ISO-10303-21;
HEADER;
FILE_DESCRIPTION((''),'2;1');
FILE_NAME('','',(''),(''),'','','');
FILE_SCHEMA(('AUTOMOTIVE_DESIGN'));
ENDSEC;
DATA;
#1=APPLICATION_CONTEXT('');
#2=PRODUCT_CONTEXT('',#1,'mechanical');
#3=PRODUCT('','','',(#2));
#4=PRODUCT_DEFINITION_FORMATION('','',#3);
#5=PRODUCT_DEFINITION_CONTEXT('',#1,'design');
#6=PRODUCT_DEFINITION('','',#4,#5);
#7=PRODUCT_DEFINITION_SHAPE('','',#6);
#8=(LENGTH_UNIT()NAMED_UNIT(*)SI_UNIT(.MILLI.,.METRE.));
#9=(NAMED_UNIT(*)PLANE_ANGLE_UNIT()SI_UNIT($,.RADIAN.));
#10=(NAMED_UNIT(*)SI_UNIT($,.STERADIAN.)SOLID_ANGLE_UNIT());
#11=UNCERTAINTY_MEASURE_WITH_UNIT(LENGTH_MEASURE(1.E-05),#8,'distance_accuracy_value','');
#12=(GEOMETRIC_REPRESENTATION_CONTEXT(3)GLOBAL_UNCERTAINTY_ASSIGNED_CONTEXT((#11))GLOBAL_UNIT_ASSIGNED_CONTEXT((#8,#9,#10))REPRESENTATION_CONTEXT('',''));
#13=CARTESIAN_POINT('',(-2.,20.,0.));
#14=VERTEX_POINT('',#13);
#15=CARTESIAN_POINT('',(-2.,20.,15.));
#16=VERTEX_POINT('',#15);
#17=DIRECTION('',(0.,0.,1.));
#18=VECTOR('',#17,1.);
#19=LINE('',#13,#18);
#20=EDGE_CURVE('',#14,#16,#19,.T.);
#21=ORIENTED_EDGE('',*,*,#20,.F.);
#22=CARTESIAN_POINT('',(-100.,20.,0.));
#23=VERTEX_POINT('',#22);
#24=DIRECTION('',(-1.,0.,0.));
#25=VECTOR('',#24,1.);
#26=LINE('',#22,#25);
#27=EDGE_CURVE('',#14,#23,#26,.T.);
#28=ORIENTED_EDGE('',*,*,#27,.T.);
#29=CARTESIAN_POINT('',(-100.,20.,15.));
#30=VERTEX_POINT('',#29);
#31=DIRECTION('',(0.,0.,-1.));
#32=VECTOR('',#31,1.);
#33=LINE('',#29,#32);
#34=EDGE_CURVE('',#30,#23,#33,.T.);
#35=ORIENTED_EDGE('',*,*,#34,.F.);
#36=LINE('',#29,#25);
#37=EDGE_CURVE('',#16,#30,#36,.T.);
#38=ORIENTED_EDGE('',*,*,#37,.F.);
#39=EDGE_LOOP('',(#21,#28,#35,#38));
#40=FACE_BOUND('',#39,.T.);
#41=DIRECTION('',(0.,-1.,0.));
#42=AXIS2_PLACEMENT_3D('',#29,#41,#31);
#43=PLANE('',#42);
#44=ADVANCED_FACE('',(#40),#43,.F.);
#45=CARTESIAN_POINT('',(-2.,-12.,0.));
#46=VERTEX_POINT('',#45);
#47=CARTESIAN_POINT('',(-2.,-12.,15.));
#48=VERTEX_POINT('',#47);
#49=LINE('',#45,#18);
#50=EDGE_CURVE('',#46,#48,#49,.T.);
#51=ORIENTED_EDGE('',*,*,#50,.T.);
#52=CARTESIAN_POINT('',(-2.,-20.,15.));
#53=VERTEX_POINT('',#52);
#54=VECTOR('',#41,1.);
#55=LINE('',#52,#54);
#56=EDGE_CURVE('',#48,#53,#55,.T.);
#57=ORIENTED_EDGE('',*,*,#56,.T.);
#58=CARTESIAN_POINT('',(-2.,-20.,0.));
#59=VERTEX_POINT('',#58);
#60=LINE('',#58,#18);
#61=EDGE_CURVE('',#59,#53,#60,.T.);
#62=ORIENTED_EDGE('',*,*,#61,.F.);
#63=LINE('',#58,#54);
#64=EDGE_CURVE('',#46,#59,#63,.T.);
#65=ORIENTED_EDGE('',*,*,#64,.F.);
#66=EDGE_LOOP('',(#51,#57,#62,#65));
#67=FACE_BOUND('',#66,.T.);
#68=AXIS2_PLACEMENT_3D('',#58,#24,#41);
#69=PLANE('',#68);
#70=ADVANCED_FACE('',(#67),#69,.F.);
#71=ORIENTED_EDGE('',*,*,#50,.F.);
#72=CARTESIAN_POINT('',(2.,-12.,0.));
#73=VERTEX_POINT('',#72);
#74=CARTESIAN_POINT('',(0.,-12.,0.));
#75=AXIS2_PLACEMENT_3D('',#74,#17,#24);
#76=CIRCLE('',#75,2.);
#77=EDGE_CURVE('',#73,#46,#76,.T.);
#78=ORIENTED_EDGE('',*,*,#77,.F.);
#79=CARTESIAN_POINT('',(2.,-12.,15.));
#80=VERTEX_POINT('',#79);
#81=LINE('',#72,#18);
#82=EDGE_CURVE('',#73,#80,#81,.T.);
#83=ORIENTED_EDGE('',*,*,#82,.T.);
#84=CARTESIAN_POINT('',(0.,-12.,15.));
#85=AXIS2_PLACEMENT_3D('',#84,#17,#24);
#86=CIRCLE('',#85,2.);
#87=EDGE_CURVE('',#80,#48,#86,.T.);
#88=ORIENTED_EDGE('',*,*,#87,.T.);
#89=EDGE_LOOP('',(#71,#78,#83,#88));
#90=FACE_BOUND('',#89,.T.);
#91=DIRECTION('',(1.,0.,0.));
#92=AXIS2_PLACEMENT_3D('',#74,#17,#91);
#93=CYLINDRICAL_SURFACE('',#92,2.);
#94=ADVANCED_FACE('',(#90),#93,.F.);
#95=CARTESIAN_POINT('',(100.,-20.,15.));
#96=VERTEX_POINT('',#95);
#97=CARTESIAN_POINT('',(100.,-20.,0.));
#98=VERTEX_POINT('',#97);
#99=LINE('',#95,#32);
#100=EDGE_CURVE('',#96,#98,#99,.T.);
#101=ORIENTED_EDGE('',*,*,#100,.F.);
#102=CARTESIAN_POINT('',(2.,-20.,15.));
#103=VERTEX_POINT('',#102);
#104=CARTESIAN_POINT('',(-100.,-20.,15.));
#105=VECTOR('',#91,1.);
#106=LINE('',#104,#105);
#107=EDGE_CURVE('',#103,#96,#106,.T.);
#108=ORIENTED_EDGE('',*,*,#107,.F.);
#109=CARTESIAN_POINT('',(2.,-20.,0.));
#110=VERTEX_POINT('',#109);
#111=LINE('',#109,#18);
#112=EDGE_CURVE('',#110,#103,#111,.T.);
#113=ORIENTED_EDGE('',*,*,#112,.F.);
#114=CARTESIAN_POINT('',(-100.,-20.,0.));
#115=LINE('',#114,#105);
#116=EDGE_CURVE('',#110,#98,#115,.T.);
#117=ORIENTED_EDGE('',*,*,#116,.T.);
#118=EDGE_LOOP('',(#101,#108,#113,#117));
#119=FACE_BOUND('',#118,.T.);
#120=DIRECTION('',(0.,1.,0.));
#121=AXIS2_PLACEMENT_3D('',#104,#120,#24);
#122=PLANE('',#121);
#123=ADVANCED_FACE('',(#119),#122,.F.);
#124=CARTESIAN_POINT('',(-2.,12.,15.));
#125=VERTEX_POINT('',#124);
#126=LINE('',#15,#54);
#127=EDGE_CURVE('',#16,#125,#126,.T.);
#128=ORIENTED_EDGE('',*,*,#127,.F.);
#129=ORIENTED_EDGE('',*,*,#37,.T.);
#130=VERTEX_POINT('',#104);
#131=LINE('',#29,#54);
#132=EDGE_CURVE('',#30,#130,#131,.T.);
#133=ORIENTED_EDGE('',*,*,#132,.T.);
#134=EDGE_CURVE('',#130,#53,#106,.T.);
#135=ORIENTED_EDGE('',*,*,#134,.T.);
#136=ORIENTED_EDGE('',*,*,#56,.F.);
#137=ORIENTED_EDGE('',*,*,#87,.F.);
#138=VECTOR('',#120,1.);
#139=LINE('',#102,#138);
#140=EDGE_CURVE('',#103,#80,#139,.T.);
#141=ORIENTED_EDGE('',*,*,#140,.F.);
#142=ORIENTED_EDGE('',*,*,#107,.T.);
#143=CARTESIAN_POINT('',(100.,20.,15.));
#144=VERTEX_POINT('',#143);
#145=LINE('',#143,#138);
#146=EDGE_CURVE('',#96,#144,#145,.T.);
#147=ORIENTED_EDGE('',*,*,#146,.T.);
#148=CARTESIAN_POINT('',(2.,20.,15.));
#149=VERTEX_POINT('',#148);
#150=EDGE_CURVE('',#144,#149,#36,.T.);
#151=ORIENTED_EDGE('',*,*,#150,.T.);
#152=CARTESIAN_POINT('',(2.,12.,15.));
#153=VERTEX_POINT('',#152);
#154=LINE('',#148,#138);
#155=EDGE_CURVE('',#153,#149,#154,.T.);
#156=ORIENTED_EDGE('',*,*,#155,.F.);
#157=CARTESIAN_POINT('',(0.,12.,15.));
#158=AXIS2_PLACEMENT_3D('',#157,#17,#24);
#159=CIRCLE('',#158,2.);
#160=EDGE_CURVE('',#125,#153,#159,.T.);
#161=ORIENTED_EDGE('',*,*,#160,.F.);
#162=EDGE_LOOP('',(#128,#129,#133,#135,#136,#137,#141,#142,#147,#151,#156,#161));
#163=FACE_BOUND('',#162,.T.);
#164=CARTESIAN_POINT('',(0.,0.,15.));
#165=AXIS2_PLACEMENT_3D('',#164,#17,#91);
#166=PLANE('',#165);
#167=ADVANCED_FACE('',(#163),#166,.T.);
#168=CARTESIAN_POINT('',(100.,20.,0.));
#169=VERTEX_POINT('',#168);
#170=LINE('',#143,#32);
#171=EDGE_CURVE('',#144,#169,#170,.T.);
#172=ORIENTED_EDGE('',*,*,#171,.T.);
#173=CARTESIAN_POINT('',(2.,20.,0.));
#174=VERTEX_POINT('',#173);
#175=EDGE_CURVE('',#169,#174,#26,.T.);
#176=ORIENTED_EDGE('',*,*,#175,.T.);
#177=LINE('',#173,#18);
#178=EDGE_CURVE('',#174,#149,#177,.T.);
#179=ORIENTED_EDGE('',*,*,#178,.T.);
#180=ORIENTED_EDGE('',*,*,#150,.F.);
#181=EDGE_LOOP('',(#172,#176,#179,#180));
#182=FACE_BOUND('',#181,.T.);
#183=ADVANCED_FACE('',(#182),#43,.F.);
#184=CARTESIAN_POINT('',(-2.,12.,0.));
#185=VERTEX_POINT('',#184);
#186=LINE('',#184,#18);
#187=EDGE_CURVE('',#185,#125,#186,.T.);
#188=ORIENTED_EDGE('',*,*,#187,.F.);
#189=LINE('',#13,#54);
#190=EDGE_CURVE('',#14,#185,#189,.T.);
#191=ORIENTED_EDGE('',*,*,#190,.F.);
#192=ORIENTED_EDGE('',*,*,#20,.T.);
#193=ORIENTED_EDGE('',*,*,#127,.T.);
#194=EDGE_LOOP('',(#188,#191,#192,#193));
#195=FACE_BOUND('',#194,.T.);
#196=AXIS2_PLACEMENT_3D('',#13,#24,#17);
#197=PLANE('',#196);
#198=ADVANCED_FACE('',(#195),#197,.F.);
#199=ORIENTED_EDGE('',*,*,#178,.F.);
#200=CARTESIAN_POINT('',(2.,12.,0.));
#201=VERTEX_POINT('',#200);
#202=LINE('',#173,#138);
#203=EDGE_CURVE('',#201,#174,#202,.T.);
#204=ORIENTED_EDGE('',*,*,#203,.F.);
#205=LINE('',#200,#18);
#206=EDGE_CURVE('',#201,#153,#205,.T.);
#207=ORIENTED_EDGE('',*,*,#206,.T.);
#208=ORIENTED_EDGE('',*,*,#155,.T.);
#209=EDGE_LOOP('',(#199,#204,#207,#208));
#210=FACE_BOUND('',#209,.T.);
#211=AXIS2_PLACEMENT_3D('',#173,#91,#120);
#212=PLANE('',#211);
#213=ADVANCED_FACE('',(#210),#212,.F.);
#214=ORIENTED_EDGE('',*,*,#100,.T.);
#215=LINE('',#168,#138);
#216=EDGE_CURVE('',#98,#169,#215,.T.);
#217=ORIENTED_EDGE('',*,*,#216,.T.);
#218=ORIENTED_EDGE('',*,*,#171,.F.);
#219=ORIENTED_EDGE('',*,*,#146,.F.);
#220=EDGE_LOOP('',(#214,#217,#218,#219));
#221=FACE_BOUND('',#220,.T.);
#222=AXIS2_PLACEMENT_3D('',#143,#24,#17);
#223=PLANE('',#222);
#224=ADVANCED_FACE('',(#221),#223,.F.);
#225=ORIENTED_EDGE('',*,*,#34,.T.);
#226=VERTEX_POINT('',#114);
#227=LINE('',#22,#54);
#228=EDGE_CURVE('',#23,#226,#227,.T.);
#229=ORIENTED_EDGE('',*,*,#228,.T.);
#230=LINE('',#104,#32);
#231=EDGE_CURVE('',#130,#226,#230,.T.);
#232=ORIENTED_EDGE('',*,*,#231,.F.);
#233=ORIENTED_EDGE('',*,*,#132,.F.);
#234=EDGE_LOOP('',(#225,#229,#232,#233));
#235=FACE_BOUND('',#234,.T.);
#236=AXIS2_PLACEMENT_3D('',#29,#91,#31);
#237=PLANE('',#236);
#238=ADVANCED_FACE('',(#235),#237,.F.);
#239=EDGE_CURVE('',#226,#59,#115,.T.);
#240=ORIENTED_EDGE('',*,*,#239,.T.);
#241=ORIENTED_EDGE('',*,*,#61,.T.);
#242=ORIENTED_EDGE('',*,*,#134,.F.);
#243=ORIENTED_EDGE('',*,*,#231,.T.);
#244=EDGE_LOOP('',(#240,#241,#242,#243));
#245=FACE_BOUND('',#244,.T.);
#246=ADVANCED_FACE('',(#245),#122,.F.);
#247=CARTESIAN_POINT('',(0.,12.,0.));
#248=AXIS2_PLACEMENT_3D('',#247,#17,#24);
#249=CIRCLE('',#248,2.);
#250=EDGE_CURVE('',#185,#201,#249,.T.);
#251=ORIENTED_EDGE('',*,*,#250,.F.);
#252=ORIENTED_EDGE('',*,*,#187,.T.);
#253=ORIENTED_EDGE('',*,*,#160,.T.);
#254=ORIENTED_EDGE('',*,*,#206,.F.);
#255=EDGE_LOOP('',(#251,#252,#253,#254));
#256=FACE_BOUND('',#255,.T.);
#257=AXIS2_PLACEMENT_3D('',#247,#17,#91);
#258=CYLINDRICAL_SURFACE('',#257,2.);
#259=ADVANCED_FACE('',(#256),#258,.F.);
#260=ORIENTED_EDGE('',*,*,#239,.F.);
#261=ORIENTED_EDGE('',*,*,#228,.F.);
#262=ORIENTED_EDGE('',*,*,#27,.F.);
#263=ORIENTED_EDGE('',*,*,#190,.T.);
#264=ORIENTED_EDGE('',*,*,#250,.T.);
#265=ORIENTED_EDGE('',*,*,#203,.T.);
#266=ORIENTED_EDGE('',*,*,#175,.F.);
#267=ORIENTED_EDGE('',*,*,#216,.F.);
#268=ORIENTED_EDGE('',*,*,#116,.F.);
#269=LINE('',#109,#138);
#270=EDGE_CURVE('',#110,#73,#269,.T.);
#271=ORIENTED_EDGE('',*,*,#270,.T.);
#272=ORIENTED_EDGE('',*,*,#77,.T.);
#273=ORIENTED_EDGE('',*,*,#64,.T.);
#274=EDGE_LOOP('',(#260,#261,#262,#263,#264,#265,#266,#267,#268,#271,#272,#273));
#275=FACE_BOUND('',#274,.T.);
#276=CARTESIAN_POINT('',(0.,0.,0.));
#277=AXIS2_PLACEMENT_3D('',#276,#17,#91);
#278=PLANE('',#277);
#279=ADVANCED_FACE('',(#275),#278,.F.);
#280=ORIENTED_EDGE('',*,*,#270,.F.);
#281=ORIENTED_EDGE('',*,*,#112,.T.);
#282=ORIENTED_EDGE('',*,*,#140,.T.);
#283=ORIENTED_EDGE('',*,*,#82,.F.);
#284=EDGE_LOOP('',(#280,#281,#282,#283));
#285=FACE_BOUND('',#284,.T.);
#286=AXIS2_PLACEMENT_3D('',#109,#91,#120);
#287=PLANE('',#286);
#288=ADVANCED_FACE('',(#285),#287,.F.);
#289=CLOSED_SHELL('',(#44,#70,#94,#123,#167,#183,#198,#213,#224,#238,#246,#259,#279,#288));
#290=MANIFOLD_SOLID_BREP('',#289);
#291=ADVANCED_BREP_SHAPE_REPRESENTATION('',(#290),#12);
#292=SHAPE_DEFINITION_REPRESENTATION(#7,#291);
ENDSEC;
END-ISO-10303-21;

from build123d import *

# Parameters (mm, degrees)
SKETCH1_W                                = 200
SKETCH1_H                                = 40
RECTANGULAR_BAR_40_W_X_200_L_X_15D_DEPTH = 15
NOTCH_CUT_OUT_DEPTH                      = 15


with BuildPart() as part:
    # Sketch1 → Rectangular Bar (40 W x 200 L x 15D) (new body)
    with BuildSketch(Plane.XY):
        Rectangle(SKETCH1_W, SKETCH1_H)
    extrude(amount=RECTANGULAR_BAR_40_W_X_200_L_X_15D_DEPTH)

    # Notch → Notch cut out (cut)
    with BuildSketch(Plane.XY.offset(15)):
        with BuildLine():
            Line((2, 20), (2, 12))
            ThreePointArc((2, 12), (0, 10), (-2, 12))
            Line((-2, 12), (-2, 20))
            Line((-2, 20), (2, 20))
        make_face()
        with BuildLine():
            Line((-2, -20), (-2, -12))
            ThreePointArc((-2, -12), (0, -10), (2, -12))
            Line((2, -12), (2, -20))
            Line((2, -20), (-2, -20))
        make_face()
    extrude(amount=-NOTCH_CUT_OUT_DEPTH, mode=Mode.SUBTRACT)


solid = part.part
